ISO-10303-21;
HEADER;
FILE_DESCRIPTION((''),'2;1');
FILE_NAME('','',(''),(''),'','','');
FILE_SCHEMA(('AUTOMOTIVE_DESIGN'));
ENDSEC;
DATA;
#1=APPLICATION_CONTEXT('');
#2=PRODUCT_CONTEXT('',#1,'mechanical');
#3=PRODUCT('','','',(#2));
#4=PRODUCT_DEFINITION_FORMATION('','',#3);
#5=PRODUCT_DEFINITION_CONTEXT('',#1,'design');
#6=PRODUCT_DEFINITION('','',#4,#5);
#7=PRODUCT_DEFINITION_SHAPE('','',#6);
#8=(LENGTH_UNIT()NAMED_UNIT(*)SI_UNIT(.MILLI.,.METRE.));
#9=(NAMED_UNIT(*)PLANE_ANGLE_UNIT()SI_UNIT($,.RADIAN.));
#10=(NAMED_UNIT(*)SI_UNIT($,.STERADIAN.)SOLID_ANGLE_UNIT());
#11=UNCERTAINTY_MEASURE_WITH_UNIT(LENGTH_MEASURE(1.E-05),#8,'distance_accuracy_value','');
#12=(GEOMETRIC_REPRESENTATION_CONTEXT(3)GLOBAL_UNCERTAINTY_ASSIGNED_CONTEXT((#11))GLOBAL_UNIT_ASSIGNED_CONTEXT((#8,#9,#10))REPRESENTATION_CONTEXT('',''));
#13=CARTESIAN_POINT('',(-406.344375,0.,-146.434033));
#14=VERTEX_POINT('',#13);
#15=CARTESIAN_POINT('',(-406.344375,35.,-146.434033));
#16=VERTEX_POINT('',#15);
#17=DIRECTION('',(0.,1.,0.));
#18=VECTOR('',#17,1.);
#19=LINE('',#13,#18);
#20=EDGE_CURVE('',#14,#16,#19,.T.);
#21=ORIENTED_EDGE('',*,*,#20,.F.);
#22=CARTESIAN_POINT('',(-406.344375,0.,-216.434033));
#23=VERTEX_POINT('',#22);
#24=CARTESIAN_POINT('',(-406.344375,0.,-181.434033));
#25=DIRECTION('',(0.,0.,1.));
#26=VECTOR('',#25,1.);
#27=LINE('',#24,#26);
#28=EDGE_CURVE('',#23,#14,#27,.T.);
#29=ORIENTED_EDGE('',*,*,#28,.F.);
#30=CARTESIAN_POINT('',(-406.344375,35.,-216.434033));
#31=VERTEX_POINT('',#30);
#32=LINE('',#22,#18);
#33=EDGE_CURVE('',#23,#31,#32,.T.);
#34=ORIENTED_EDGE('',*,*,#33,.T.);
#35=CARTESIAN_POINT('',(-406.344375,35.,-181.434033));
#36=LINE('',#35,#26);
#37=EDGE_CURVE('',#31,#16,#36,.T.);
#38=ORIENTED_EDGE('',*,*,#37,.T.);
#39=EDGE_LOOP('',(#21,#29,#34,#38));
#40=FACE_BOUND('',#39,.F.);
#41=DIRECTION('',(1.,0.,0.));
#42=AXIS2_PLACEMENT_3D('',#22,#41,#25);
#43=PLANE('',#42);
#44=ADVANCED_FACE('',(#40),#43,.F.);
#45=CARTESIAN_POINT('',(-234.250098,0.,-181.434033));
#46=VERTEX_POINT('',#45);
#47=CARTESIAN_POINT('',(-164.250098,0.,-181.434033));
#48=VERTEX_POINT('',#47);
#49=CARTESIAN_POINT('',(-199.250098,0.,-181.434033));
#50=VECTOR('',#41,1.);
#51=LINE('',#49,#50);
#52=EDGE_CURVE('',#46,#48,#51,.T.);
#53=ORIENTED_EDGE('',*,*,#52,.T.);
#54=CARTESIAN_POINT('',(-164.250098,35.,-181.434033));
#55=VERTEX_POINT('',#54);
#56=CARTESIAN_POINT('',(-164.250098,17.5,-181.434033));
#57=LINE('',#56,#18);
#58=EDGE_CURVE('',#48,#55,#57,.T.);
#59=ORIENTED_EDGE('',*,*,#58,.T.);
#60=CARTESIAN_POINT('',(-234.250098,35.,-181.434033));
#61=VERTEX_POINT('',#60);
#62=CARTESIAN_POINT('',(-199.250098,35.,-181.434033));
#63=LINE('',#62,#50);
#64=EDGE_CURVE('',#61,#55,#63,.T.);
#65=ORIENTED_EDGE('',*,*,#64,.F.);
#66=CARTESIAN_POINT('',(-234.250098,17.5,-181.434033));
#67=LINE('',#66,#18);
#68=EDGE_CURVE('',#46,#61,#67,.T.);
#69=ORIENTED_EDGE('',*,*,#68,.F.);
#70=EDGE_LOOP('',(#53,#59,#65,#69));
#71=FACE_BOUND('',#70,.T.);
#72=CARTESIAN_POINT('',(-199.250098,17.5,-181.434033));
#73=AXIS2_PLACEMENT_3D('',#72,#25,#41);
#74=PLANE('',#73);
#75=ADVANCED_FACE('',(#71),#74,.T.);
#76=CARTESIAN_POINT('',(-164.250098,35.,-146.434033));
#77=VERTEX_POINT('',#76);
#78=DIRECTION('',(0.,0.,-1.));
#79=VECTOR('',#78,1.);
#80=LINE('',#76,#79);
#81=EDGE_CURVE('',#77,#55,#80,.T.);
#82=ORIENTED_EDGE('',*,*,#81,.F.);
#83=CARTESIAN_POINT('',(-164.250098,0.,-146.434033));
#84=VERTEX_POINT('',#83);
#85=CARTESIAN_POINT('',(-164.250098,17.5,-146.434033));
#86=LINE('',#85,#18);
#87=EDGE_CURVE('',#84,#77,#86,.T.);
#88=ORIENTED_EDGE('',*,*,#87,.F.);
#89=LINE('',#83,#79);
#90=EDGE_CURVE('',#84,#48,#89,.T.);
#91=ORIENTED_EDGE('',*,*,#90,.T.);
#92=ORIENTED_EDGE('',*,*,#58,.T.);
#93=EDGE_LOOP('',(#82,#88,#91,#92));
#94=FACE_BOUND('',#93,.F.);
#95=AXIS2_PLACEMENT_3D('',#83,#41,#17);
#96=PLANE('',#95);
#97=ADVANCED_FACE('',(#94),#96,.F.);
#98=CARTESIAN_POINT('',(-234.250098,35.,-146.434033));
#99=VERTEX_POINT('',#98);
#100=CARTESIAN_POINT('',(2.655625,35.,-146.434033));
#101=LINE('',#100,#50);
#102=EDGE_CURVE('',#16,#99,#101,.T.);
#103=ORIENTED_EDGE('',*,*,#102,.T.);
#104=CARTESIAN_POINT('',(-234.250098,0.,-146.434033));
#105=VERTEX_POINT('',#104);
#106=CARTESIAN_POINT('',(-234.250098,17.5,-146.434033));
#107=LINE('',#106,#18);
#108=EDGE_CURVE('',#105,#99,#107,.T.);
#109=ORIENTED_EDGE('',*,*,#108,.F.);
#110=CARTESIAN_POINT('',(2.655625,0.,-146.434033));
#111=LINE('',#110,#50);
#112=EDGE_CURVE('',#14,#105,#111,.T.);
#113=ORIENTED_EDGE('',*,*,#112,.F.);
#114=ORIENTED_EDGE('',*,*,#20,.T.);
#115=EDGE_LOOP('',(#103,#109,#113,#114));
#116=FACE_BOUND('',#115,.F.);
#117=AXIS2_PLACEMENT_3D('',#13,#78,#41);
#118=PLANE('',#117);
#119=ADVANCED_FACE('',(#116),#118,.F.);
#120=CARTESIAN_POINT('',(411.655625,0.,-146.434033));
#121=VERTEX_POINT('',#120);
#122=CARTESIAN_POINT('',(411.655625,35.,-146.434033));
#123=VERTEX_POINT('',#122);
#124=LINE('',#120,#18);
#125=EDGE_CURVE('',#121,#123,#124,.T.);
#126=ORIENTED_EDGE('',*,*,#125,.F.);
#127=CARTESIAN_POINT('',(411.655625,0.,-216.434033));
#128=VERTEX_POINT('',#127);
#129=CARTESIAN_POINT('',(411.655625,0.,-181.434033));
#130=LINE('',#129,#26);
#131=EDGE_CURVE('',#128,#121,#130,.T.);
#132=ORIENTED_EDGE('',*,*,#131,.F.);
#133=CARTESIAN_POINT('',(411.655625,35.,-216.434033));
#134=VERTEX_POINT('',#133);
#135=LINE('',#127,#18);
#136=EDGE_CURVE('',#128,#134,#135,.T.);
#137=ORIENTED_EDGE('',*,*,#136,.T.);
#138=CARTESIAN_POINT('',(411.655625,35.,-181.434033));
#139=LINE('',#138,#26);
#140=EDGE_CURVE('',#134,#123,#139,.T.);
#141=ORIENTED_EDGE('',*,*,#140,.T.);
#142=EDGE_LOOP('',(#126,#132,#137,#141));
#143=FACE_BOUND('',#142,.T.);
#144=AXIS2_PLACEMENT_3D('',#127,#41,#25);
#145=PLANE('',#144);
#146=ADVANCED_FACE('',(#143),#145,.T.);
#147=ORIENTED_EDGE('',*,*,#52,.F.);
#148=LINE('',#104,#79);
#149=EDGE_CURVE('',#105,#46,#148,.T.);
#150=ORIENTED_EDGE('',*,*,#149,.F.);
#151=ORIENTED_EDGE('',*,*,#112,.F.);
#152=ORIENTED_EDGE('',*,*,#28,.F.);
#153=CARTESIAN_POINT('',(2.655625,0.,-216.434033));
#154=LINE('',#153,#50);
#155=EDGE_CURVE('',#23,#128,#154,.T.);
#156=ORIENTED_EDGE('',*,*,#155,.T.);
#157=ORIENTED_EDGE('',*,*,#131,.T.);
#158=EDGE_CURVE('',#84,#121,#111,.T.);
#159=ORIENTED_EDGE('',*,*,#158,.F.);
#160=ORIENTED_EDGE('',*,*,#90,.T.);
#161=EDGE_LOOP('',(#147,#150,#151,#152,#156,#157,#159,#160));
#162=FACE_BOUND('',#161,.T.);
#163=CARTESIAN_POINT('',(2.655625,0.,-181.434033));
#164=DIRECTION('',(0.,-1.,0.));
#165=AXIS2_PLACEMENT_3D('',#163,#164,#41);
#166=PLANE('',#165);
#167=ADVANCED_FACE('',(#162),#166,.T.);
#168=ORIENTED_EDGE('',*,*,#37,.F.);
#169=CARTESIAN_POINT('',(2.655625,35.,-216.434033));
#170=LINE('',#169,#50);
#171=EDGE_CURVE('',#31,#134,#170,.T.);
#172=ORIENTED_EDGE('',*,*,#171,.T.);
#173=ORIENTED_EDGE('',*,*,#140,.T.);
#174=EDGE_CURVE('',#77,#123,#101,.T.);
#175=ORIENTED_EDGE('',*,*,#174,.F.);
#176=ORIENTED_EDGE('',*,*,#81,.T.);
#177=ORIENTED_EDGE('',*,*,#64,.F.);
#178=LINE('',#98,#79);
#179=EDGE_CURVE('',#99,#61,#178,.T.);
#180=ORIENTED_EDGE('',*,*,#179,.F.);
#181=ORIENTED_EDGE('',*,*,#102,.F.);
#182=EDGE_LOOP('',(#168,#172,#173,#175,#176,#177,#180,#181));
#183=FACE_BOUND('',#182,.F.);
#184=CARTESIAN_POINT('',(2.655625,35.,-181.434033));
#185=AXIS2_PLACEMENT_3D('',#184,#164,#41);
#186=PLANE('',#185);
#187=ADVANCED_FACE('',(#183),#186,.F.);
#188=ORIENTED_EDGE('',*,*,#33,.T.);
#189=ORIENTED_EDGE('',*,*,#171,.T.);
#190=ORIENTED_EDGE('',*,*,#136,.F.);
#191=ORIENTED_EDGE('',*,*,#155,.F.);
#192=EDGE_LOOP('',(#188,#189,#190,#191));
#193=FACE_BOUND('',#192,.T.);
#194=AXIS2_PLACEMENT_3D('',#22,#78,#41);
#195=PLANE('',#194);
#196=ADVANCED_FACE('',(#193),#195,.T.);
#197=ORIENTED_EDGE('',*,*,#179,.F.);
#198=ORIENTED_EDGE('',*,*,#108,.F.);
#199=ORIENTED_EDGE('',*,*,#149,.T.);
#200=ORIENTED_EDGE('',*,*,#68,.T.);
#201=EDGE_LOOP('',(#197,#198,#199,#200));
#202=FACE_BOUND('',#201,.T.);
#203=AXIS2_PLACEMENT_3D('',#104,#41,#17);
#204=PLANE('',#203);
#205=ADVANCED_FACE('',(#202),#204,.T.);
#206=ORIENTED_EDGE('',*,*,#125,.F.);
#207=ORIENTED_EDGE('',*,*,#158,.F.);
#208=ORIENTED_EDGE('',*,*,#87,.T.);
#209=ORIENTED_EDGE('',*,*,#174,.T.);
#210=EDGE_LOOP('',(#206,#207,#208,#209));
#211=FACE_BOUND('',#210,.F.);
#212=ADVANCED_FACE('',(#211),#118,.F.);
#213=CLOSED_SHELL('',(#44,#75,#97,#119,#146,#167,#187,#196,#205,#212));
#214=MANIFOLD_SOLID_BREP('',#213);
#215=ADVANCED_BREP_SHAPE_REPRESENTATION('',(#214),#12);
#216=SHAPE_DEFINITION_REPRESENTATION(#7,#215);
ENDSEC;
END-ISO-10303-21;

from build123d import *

# Parameters (mm, degrees)
F0_W     = 818
F0_H     = 70
F1_DEPTH = 35
F2_W     = 70
F2_H     = 35
F3_DEPTH = 35


with BuildPart() as f1:
    # F0 (on Front) → F1 (new body)
    with BuildSketch(Plane.XZ):
        with Locations((2.655625, -181.434033)):
            Rectangle(F0_W, F0_H)
    extrude(amount=-F1_DEPTH)

    # F2 (on face) → F3 (cut)
    with BuildSketch(Plane.XY.offset(-146.434033)):
        with Locations((-199.250098, 17.5)):
            Rectangle(F2_W, F2_H)
    extrude(amount=-F3_DEPTH, mode=Mode.SUBTRACT)


solid = f1.part
